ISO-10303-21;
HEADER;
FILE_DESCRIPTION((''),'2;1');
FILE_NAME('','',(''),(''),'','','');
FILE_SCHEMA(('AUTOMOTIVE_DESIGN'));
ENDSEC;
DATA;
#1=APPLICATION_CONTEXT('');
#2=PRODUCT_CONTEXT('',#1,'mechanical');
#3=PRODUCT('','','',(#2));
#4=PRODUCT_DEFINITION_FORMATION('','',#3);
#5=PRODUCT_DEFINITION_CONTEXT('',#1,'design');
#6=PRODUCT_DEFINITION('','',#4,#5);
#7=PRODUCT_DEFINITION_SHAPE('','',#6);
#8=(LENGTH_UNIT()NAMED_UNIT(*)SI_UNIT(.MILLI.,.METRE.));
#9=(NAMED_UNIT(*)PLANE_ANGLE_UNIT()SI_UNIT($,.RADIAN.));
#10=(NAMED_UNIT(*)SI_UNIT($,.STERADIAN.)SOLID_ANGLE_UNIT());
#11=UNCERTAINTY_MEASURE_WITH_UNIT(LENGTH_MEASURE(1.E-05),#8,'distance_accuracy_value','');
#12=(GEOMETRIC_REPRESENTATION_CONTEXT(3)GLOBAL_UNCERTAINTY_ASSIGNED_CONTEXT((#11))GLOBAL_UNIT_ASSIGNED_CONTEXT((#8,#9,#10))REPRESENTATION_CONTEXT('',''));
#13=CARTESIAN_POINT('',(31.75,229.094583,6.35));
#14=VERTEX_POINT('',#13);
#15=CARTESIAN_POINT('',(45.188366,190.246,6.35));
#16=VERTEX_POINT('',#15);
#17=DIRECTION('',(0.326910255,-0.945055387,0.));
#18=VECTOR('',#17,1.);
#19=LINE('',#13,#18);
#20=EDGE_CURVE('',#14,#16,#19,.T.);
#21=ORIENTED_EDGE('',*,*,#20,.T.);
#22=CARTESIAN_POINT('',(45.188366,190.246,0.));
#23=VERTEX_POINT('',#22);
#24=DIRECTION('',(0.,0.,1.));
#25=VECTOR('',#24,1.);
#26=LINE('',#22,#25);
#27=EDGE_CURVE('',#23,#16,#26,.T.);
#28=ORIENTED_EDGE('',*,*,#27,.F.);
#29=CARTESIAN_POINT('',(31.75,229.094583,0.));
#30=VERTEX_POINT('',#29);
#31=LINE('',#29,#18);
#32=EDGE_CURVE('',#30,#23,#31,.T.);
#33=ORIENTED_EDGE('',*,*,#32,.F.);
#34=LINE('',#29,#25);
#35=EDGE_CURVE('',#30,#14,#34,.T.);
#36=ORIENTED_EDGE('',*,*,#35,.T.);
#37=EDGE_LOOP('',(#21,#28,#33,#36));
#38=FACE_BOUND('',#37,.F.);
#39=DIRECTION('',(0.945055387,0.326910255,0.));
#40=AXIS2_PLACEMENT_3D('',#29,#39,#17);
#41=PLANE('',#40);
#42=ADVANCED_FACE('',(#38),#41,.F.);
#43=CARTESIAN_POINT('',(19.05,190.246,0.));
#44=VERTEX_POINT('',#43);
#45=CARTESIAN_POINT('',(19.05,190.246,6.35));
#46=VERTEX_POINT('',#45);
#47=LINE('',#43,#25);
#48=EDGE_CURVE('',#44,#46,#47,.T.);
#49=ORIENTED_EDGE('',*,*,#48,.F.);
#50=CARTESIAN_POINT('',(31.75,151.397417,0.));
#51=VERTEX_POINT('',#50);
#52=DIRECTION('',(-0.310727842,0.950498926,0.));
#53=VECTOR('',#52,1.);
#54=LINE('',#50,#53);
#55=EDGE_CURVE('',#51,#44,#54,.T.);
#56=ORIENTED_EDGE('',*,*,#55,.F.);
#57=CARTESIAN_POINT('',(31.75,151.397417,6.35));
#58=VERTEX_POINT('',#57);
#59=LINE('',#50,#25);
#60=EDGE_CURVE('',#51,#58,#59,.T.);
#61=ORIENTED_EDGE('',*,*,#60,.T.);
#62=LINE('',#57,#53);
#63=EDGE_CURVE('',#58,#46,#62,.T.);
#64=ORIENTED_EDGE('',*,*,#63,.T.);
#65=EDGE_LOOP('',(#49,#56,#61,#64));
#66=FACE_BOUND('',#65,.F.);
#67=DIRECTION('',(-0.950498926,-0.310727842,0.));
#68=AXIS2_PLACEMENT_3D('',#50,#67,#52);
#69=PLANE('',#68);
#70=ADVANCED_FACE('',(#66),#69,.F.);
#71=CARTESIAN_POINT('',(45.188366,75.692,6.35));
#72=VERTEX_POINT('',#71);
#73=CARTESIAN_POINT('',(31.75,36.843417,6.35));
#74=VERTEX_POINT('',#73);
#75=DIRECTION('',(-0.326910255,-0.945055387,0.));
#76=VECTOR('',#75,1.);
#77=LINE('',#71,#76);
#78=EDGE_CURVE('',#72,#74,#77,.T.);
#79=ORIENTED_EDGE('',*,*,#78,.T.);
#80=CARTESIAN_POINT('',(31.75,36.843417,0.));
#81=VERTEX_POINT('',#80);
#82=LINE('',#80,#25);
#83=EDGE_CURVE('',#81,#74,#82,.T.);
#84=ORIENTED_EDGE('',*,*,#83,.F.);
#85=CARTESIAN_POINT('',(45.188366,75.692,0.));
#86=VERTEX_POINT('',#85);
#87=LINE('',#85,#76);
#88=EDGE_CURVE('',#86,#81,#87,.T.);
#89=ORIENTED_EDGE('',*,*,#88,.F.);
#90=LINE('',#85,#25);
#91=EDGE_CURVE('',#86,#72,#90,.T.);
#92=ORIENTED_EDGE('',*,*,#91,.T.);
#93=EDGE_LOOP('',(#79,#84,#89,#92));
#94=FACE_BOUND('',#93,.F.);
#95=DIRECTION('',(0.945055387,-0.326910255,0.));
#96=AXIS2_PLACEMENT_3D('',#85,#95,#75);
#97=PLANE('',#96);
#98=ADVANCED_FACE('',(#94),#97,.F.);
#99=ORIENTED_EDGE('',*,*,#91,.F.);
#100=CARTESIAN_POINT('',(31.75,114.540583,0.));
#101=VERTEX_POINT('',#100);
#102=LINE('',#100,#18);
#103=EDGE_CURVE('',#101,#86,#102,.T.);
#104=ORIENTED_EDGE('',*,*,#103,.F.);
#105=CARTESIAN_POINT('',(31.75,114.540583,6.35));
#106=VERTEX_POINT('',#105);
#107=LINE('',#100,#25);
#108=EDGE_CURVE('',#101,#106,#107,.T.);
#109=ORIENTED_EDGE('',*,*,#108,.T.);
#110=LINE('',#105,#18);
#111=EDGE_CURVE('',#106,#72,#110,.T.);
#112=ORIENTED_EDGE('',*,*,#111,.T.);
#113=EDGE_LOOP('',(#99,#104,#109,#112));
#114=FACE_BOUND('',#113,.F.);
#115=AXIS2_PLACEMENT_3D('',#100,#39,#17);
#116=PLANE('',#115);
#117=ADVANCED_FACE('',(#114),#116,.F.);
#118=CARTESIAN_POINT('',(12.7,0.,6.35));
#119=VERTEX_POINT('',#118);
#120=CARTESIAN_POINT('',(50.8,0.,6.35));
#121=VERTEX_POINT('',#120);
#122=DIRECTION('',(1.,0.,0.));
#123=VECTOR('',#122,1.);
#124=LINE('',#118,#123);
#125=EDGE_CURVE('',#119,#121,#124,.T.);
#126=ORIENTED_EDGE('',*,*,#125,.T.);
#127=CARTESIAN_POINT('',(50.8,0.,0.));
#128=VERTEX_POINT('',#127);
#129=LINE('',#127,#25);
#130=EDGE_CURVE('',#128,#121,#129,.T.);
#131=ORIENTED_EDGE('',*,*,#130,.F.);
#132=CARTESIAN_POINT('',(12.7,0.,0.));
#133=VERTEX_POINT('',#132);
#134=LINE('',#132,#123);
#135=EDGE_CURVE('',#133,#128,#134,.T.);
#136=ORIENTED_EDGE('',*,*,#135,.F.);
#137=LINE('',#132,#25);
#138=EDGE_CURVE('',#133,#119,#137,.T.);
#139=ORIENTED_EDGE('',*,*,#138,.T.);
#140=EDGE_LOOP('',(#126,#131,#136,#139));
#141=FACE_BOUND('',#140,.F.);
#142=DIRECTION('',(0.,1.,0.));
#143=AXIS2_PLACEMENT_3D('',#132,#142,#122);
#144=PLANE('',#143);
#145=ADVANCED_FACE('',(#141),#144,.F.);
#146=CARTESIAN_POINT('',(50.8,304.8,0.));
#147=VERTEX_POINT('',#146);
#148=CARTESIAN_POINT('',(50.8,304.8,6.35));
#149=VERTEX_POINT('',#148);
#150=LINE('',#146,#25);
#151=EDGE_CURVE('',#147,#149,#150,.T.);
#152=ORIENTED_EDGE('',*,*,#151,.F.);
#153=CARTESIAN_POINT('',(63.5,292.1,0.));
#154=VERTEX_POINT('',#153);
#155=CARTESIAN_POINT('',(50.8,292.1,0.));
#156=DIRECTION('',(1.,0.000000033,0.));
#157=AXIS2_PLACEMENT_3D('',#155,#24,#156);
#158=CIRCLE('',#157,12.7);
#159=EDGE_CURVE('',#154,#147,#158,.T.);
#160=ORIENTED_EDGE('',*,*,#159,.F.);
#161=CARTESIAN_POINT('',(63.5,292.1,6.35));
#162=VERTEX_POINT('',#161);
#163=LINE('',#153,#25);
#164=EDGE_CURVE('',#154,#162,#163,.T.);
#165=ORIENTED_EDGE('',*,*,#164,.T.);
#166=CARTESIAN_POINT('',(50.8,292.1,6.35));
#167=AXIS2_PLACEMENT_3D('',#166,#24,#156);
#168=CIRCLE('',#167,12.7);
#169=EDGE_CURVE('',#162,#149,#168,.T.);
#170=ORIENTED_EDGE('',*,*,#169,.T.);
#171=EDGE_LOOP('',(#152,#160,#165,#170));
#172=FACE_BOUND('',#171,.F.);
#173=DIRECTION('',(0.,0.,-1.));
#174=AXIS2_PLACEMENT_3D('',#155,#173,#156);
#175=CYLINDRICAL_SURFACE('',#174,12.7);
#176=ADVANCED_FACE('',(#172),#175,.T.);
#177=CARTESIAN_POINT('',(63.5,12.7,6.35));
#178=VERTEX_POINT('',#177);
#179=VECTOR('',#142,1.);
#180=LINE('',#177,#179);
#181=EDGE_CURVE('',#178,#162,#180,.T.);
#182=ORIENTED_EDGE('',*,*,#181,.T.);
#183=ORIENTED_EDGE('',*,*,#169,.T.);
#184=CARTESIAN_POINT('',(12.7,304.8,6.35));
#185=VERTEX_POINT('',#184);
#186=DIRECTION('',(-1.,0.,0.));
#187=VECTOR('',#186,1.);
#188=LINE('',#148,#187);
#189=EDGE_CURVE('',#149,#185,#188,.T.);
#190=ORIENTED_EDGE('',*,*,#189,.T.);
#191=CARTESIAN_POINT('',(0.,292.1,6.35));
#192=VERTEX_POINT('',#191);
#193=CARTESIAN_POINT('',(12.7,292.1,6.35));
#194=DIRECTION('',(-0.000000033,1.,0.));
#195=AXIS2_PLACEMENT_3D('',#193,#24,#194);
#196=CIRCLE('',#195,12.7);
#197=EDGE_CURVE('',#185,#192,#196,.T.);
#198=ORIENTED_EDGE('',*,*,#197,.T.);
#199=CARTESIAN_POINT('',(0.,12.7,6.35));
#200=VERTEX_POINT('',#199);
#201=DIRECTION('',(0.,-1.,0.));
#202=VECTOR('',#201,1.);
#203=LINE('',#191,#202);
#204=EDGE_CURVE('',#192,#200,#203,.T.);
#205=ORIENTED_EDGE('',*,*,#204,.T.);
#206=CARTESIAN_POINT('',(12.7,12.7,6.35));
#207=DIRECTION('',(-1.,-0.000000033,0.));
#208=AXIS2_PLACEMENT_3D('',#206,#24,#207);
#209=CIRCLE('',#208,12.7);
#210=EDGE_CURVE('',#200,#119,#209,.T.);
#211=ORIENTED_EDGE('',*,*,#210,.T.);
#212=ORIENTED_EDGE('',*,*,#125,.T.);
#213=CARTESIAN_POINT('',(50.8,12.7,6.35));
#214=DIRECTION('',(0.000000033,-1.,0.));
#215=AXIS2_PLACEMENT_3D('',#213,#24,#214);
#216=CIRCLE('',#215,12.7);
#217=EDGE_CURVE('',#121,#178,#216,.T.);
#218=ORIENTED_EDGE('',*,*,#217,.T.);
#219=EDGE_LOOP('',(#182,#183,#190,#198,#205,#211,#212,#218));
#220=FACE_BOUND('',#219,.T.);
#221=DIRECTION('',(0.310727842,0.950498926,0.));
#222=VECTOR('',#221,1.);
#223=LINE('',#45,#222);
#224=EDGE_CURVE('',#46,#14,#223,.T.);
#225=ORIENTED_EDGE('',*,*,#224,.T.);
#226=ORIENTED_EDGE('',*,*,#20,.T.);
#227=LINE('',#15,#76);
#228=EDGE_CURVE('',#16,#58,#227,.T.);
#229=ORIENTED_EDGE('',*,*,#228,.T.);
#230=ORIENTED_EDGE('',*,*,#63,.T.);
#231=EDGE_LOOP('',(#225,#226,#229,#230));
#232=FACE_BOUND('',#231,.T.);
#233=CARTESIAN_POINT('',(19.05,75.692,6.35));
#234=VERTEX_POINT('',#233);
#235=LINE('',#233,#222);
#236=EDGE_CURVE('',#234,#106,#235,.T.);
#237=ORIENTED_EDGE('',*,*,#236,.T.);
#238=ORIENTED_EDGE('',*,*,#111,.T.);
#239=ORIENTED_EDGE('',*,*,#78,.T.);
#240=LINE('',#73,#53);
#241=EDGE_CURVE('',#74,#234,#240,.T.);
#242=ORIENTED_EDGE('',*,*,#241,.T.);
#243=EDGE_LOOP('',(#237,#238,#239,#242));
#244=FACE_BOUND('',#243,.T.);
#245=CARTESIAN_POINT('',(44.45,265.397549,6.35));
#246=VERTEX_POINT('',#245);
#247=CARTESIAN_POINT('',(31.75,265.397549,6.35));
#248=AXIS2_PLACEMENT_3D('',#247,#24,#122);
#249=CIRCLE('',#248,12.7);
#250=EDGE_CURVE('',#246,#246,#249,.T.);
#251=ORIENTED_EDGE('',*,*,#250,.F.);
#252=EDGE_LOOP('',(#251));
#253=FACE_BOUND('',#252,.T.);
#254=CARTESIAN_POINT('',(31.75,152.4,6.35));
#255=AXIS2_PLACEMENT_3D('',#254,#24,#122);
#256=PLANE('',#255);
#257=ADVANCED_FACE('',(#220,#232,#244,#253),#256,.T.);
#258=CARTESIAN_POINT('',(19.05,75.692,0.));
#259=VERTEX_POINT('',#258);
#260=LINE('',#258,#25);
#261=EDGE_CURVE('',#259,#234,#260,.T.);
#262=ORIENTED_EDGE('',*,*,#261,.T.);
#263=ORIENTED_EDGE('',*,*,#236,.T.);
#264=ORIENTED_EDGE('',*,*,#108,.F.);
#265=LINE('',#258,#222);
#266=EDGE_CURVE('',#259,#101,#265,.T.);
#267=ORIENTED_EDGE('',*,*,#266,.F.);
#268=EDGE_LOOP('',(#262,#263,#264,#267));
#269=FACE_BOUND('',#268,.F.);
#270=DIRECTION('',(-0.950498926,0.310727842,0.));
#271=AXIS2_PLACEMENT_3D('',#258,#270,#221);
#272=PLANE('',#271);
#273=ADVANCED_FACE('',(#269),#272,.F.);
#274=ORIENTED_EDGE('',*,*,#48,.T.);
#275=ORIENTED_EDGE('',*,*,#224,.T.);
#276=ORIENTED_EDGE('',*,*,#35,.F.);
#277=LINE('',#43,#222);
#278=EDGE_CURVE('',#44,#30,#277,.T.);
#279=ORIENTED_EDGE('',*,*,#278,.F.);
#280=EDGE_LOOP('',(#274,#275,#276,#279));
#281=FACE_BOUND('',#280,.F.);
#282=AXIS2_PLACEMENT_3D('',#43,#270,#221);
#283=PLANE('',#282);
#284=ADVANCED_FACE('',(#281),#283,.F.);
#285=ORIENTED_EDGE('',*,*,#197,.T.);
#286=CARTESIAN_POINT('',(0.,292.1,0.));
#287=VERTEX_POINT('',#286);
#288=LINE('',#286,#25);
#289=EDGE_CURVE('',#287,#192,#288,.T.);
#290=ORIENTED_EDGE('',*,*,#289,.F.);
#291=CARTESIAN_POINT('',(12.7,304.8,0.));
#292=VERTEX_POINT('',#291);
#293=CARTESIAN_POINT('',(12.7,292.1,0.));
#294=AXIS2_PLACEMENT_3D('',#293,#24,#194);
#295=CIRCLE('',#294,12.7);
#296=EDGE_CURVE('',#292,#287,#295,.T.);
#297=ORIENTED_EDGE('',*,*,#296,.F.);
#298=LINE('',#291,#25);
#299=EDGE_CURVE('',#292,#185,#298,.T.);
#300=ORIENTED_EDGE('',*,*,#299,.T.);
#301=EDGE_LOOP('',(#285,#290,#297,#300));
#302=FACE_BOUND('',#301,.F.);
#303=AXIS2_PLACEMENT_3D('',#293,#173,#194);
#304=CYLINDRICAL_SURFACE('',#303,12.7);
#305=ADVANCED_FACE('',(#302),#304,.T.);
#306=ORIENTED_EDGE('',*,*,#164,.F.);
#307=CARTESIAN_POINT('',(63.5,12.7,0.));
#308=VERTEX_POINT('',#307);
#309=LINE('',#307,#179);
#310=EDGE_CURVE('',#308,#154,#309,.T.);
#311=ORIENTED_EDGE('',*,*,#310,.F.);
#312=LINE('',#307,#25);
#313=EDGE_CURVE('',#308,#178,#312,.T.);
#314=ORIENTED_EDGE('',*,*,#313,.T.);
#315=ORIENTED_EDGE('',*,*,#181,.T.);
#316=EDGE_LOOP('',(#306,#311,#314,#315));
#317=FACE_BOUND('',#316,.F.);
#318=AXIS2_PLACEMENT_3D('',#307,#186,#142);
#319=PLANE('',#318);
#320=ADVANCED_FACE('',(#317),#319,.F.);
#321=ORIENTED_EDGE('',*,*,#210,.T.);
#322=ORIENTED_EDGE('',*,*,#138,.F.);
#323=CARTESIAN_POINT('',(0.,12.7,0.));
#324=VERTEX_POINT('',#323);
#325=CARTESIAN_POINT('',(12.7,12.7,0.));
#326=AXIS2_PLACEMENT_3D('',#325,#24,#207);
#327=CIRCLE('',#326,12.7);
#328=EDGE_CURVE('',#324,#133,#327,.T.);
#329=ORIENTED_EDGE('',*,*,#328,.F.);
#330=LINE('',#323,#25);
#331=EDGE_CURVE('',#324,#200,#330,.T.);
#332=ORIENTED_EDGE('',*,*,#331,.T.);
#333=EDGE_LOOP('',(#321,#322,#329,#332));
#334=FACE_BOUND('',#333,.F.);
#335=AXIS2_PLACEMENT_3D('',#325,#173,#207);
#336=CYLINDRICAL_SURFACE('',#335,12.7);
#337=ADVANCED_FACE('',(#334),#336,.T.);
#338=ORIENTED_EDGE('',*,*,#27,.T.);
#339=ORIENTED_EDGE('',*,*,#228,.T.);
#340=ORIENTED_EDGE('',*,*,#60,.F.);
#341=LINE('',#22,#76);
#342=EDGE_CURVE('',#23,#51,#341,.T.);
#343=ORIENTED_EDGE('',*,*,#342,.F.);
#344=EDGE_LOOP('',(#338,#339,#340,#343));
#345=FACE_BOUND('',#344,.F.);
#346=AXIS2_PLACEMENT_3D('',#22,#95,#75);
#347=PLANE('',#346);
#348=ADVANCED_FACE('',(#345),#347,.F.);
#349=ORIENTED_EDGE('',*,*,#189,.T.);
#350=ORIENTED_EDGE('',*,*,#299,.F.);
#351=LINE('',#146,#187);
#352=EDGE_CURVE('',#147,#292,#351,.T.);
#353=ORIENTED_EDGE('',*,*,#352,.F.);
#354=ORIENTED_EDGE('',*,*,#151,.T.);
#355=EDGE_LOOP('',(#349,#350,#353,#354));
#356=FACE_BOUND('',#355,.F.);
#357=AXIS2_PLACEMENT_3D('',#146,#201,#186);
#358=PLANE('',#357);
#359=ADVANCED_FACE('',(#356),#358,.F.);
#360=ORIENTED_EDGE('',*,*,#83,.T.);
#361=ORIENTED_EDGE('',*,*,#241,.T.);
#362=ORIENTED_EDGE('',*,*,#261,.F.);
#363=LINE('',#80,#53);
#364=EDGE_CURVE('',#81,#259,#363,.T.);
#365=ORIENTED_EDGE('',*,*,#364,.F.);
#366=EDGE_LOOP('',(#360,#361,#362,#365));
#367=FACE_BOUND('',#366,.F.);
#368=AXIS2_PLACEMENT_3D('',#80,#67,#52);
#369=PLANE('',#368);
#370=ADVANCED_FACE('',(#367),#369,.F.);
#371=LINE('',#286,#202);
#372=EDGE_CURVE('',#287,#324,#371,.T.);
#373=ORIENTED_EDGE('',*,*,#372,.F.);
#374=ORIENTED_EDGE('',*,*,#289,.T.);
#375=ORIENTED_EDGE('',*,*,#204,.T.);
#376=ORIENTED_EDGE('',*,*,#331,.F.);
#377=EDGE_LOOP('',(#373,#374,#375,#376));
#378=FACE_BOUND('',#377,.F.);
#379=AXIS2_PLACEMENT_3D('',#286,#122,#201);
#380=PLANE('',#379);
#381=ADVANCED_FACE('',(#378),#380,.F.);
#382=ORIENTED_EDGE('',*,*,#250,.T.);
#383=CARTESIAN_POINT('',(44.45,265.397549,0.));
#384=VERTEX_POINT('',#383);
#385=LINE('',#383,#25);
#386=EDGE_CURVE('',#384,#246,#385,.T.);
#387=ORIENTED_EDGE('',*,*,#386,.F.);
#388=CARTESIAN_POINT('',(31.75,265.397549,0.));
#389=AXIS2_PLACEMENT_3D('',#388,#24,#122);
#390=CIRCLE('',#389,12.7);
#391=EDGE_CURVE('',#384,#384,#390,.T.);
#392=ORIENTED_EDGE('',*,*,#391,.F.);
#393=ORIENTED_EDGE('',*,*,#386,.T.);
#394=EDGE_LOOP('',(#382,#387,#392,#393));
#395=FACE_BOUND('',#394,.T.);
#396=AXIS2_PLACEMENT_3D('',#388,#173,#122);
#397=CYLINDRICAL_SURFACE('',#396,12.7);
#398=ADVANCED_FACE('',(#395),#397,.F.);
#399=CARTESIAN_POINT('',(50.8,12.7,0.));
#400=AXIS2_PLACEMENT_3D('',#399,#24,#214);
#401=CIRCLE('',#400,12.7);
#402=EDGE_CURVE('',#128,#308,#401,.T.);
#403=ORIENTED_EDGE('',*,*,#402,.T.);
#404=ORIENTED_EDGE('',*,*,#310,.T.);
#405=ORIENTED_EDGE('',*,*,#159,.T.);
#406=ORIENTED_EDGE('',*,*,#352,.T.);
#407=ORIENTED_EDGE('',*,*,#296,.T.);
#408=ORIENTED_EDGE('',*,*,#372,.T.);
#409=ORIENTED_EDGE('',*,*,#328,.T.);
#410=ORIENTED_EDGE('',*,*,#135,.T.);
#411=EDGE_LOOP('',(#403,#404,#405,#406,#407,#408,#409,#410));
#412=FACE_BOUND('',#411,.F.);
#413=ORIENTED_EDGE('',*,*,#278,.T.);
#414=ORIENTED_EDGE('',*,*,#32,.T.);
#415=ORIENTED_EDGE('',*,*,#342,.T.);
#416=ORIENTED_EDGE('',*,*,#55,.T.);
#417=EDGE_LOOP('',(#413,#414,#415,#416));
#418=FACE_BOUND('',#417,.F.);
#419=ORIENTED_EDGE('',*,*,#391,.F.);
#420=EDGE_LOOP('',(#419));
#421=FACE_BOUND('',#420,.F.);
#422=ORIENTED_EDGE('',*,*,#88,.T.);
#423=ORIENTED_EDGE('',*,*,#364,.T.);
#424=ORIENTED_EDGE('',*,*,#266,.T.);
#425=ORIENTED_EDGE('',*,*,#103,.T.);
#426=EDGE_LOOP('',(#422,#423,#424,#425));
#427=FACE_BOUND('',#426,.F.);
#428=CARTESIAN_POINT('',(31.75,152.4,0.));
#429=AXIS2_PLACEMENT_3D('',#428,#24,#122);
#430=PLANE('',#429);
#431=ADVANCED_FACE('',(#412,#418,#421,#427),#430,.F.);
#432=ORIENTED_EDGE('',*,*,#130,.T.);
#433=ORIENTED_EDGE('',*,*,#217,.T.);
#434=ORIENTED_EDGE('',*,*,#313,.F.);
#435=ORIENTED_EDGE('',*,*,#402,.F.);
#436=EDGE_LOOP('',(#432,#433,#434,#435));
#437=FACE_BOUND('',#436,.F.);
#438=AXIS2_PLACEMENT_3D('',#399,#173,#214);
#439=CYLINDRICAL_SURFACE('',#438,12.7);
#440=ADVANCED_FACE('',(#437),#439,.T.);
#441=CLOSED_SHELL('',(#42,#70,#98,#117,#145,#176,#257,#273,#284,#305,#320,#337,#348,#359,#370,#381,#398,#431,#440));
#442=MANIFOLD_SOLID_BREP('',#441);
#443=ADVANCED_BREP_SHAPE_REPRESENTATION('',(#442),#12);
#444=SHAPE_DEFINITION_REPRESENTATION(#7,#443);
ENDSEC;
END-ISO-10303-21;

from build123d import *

# Parameters (mm, degrees)
F0_R     = 12.7
F1_DEPTH = 6.35


with BuildPart() as f1:
    # F0 (on Top) → F1 (new body)
    with BuildSketch(Plane.XY):
        with BuildLine():
            ThreePointArc((0, 12.7), (3.719744, 3.719744), (12.7, 0))
            Line((12.7, 0), (50.8, 0))
            ThreePointArc((50.8, 0), (59.780256, 3.719744), (63.5, 12.7))
            Line((63.5, 12.7), (63.5, 292.1))
            ThreePointArc((63.5, 292.1), (59.780256, 301.080256), (50.8, 304.8))
            Line((50.8, 304.8), (12.7, 304.8))
            ThreePointArc((12.7, 304.8), (3.719744, 301.080256), (0, 292.1))
            Line((0, 292.1), (0, 12.7))
        make_face()
        Polygon((19.05, 75.692), (31.75, 114.540583), (45.188366, 75.692), (31.75, 36.843417), align=None, mode=Mode.SUBTRACT)
        Polygon((19.05, 190.246), (31.75, 229.094583), (45.188366, 190.246), (31.75, 151.397417), align=None, mode=Mode.SUBTRACT)
        with Locations((31.75, 265.397549)):
            Circle(F0_R, mode=Mode.SUBTRACT)
    extrude(amount=F1_DEPTH)


solid = f1.part
